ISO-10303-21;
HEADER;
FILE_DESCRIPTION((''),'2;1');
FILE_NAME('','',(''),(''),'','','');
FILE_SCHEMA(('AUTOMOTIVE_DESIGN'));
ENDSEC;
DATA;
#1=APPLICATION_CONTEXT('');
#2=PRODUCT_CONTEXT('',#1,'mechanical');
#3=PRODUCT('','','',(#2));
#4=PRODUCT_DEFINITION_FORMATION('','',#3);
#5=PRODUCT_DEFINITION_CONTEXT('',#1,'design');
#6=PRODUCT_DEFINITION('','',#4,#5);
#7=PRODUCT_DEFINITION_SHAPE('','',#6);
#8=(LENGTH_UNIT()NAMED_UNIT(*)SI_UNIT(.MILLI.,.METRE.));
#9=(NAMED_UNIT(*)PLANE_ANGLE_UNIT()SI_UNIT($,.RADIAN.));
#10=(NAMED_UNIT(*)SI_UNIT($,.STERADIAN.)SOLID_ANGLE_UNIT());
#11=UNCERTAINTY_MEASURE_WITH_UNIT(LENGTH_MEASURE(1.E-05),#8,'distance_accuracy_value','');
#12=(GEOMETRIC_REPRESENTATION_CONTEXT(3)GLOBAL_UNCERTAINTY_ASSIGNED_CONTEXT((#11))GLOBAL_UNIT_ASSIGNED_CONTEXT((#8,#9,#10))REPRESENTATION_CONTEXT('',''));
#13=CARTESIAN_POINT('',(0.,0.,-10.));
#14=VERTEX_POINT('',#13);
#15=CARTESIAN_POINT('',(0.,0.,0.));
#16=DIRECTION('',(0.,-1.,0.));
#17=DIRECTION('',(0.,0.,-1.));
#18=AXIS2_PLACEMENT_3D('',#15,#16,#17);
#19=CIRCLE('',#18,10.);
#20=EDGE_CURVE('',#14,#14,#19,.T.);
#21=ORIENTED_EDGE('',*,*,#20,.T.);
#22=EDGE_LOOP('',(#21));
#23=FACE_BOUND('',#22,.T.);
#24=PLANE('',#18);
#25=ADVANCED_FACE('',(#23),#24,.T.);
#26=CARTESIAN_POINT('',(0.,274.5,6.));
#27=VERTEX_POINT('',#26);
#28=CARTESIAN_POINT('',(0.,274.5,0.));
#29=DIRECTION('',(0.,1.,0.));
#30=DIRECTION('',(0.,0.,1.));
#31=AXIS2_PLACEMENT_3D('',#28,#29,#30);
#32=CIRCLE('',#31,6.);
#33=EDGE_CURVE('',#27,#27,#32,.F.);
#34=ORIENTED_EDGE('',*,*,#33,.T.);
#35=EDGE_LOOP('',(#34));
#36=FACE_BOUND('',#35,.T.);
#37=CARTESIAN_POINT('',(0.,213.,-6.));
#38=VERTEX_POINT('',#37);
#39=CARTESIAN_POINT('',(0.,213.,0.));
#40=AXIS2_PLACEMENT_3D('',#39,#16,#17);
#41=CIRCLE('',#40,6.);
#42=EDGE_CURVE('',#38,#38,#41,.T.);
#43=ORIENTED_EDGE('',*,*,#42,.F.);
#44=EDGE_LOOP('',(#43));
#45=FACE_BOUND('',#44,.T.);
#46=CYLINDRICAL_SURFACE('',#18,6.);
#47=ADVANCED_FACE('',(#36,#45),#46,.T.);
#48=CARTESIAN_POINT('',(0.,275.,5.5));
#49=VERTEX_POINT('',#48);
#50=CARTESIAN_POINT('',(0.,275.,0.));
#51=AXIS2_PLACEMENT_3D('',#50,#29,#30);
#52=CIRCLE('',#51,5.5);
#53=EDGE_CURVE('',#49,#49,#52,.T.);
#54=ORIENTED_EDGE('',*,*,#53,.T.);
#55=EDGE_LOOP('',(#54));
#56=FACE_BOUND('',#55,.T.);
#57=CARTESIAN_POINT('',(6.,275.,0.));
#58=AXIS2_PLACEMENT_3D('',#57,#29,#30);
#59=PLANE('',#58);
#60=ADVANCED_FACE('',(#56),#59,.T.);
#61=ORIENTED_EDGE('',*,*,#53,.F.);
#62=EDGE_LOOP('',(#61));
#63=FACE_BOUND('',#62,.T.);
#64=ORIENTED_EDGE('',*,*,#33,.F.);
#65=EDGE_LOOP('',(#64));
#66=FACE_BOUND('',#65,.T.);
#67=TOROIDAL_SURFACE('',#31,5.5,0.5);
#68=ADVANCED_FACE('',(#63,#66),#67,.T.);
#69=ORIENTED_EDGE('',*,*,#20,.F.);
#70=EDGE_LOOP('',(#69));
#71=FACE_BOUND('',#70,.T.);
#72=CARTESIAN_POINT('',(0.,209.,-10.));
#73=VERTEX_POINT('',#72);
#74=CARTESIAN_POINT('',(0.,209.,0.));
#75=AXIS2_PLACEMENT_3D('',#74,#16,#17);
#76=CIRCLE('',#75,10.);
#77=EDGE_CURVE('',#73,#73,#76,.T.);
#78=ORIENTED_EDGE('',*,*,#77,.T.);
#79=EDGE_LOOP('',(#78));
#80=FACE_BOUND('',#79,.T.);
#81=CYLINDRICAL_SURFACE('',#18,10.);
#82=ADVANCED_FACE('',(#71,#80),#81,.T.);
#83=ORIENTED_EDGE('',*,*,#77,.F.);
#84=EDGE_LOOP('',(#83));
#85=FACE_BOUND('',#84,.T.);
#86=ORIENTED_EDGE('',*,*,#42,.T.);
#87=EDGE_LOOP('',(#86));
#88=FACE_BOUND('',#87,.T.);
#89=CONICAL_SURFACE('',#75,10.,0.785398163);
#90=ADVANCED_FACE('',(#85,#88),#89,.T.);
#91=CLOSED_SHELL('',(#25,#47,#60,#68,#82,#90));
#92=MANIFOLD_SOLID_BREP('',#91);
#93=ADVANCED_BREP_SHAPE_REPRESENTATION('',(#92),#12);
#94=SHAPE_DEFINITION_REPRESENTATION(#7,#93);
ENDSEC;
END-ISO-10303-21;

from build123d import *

# Parameters (mm, degrees)
FILLET1_R = 0.5


with BuildPart() as part:
    # Sketch2 → Revolve1 (revolve)
    with BuildSketch(Plane.XY, mode=Mode.PRIVATE) as revolve1_sk:
        Polygon((0, 0), (10, 0), (10, 209), (6, 213), (6, 275), (0, 275), align=None)
    revolve(revolve1_sk.sketch.rotate(Axis((0, 0, 0), (0, 1, 0)), 90), axis=Axis((0, 0, 0), (0, 1, 0)))

    # Fillet1
    fillet1_edges = [part.edges().sort_by_distance(p)[0] for p in [
        (0, 275, 6),
    ]]
    fillet(fillet1_edges, radius=FILLET1_R)


solid = part.part
